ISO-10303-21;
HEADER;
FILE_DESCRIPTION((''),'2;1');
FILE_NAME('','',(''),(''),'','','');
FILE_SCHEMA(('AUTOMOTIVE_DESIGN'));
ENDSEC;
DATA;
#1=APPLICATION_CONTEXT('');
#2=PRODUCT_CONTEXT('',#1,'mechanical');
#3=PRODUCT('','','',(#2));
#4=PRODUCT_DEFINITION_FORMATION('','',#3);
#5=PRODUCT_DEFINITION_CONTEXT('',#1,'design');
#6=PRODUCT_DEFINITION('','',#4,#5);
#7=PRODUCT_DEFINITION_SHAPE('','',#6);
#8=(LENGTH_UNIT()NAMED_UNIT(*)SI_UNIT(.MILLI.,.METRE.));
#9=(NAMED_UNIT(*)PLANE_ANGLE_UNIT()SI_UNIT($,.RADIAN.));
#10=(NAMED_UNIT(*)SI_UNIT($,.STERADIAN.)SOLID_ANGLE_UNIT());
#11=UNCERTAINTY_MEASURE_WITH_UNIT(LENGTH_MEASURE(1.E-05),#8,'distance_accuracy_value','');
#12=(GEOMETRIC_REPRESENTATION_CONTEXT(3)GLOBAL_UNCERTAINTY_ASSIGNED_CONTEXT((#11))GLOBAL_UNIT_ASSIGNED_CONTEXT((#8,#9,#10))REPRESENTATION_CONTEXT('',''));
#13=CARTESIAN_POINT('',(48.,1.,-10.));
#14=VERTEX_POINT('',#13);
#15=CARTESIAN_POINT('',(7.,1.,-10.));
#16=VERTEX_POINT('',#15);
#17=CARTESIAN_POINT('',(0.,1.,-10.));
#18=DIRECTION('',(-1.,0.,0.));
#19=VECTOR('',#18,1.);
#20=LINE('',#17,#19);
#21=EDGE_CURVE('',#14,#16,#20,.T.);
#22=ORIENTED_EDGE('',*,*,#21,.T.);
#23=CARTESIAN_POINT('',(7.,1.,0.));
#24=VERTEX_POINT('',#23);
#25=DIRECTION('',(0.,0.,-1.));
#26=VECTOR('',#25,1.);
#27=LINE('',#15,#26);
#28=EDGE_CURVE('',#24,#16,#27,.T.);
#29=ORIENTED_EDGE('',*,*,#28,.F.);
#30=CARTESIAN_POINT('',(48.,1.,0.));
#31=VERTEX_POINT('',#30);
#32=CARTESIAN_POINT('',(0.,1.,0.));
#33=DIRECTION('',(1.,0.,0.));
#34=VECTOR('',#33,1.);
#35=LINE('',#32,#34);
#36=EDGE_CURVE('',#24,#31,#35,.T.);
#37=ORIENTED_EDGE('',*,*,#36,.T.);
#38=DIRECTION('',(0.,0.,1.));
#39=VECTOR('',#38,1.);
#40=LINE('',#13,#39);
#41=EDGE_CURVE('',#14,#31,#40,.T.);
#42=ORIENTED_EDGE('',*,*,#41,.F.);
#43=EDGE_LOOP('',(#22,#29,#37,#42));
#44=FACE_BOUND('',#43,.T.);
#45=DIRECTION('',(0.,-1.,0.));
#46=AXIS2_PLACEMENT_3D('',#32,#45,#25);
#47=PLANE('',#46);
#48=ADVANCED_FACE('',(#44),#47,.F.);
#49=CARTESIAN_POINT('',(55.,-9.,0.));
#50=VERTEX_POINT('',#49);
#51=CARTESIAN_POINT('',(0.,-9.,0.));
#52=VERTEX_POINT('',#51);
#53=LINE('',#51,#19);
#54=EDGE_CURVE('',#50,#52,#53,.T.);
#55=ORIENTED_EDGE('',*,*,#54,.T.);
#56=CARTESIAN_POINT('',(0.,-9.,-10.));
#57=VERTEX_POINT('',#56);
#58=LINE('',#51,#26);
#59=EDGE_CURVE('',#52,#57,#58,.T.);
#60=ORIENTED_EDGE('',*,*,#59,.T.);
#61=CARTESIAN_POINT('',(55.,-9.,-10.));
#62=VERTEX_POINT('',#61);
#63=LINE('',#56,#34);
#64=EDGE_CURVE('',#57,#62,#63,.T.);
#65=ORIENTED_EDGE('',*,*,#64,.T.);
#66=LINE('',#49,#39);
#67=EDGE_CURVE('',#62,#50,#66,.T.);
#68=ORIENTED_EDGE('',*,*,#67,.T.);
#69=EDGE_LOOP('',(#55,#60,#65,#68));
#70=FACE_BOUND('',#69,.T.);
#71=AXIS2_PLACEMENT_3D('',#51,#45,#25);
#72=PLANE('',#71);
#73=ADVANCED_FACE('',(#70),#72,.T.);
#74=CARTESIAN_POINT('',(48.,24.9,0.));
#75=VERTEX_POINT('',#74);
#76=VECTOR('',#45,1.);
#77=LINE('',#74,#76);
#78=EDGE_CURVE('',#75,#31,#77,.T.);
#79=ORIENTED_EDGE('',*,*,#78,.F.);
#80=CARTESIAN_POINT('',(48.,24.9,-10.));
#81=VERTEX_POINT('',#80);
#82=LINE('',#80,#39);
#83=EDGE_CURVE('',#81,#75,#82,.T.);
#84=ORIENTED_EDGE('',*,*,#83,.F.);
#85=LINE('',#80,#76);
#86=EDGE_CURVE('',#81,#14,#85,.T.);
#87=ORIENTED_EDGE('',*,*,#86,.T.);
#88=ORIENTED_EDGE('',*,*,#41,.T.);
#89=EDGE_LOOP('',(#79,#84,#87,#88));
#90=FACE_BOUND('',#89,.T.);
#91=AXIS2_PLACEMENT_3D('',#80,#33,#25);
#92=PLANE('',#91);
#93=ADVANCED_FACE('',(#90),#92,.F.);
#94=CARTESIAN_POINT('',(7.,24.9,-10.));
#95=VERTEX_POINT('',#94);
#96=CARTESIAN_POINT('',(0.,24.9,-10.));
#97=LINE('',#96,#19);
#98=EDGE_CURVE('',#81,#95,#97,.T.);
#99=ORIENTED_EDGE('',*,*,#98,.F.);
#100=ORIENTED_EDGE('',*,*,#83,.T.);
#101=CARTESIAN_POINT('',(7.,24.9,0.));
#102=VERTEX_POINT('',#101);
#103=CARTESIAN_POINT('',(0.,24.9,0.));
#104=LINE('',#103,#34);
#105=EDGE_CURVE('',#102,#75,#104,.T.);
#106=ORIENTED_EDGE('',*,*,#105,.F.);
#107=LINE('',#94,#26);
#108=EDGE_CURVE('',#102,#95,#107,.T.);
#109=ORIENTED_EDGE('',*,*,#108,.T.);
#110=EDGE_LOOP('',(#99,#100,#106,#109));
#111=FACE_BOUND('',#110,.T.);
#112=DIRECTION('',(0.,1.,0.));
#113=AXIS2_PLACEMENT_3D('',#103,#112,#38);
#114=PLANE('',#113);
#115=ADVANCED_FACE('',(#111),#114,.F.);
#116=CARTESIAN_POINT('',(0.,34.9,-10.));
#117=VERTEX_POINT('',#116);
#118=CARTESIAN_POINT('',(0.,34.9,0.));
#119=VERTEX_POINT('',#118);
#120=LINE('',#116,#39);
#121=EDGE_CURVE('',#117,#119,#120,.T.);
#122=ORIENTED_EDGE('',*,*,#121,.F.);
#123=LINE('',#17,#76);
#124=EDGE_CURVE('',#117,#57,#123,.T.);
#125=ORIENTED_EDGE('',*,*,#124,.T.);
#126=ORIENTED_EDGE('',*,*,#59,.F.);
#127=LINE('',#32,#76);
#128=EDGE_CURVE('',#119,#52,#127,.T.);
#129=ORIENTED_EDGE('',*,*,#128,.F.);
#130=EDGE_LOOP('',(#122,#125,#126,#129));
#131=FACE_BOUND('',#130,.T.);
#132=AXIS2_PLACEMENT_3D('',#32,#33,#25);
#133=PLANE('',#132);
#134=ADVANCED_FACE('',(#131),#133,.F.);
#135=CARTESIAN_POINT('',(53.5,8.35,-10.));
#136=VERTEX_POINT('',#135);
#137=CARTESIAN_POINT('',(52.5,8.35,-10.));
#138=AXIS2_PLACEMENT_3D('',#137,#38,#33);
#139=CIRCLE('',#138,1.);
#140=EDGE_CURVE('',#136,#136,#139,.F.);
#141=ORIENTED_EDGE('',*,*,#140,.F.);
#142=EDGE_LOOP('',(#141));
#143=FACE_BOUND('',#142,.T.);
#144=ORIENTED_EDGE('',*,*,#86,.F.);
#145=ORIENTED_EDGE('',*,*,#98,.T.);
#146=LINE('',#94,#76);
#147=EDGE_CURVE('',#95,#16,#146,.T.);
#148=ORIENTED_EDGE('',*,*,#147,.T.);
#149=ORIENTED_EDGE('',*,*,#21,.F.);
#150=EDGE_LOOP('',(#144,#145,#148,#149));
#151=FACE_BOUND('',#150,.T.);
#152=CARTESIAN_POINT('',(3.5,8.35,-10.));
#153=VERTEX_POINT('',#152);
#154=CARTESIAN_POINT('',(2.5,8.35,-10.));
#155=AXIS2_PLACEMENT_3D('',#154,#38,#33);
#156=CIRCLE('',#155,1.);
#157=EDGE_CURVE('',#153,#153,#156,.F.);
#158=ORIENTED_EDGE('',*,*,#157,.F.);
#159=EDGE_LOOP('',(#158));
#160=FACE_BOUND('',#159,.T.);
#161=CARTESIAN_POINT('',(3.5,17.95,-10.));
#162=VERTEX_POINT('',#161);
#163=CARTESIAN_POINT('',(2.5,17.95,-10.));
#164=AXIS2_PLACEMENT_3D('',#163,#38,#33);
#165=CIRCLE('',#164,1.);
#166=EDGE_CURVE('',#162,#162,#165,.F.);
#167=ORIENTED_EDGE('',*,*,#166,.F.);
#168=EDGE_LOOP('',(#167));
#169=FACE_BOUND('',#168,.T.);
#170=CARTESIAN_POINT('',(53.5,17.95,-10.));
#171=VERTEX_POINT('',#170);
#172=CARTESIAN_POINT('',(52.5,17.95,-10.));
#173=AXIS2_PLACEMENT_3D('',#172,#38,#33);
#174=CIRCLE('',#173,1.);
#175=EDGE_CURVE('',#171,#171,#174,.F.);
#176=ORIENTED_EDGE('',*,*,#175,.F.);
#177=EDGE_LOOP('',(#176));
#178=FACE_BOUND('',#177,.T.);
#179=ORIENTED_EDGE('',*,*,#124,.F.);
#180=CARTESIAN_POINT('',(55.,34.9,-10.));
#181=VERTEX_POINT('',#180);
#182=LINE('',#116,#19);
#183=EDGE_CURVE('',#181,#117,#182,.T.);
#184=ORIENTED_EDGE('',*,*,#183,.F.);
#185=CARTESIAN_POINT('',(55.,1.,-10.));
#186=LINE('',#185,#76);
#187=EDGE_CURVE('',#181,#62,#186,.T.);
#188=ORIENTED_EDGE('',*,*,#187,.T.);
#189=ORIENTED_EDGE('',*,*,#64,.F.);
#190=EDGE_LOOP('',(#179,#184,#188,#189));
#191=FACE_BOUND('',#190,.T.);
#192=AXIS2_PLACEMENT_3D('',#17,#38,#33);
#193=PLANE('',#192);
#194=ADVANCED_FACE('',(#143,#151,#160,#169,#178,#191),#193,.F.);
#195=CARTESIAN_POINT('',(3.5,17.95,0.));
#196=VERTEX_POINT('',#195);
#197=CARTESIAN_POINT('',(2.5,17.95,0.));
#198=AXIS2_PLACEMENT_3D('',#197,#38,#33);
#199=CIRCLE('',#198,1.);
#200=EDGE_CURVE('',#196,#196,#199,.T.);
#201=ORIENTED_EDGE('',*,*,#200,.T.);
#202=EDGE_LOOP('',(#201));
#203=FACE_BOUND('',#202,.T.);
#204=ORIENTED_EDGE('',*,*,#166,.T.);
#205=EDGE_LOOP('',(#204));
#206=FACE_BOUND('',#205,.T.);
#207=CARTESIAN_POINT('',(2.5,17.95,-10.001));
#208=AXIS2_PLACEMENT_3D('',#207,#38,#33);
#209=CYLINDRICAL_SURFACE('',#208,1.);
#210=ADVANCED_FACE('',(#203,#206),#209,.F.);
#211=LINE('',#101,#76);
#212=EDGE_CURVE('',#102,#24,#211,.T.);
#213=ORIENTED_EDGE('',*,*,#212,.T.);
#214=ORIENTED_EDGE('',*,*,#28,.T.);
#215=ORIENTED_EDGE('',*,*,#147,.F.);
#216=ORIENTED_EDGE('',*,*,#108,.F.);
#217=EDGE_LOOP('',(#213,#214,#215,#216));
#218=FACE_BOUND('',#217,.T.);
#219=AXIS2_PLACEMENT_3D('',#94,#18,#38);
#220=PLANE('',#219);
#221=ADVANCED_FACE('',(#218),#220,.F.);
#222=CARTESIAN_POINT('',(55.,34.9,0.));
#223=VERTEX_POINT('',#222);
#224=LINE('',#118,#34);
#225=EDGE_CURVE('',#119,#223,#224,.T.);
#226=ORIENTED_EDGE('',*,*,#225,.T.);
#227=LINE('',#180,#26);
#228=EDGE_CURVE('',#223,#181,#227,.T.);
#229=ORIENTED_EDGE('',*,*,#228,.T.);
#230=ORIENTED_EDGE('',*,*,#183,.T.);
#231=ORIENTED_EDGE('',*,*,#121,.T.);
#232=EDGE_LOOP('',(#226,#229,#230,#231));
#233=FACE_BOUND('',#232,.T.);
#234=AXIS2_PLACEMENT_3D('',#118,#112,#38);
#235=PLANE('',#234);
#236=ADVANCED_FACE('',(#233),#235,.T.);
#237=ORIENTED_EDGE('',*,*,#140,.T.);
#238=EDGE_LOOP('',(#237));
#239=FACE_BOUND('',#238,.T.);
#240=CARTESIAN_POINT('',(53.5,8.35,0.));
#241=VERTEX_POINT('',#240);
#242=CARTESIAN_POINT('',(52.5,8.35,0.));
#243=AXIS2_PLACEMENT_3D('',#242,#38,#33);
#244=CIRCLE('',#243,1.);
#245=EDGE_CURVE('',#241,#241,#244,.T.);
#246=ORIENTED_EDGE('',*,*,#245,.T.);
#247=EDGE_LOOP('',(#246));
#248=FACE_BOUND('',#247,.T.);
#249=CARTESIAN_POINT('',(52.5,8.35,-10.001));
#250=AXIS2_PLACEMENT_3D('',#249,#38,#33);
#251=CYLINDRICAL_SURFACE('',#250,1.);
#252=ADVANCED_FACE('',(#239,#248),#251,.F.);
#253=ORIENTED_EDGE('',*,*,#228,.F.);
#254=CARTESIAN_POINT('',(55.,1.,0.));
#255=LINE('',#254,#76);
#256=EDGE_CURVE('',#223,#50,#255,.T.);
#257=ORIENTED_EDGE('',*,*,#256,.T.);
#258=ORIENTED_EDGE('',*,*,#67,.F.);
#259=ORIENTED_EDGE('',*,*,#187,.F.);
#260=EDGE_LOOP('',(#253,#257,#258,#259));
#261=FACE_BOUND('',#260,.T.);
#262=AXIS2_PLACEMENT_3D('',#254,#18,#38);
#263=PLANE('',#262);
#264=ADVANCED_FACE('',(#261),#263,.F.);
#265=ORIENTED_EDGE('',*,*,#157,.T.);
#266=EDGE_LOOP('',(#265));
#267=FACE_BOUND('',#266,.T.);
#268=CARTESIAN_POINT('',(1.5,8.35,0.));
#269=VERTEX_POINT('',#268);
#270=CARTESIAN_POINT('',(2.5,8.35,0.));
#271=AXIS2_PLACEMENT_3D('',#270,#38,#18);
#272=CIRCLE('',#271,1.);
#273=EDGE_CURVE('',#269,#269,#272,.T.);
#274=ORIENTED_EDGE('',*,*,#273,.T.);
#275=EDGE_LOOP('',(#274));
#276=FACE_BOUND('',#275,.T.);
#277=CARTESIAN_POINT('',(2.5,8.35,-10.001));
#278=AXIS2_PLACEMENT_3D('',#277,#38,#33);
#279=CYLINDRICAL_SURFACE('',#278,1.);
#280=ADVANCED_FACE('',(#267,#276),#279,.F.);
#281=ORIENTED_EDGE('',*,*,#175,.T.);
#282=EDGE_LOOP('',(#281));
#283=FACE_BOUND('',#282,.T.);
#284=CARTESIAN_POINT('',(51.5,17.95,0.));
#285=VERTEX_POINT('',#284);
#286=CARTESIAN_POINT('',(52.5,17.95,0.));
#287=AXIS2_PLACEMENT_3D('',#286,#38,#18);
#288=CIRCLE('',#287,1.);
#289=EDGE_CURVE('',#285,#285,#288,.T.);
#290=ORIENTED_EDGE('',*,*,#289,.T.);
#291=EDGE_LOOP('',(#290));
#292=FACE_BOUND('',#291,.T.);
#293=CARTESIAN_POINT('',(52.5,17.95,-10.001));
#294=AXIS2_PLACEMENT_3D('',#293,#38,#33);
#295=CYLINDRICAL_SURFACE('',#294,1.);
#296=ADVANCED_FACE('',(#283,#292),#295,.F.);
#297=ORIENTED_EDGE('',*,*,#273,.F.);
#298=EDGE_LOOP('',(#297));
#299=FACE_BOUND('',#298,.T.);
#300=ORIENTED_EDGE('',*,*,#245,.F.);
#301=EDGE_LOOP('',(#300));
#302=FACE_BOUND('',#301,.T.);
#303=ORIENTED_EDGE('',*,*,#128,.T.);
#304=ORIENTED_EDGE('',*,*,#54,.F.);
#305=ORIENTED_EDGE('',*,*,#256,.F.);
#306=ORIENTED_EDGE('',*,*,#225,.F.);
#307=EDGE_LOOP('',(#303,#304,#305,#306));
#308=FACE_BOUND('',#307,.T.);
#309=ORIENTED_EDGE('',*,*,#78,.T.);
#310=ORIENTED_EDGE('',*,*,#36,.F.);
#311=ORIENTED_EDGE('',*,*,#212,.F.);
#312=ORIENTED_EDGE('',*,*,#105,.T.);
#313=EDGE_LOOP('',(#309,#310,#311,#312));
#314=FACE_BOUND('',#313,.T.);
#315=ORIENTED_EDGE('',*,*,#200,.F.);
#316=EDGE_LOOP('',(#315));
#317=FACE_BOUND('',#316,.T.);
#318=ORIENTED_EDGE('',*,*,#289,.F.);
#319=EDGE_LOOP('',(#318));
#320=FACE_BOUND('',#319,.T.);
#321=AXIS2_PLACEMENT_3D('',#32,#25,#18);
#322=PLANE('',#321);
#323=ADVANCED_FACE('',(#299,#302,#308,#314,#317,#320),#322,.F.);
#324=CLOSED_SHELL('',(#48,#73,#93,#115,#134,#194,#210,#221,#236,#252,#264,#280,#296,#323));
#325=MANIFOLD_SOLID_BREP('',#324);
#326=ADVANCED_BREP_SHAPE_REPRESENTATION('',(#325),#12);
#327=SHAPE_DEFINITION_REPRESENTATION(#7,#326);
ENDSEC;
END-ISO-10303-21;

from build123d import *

# Parameters (mm, degrees)
SKETCH1_W           = 55
SKETCH1_H           = 10
BOSS_EXTRUDE1_DEPTH = 1
SKETCH2_W           = 7
SKETCH2_H           = 10
BOSS_EXTRUDE2_DEPTH = 23.9
CUT_EXTRUDE2_REACH  = 63.196
SKETCH4_R           = 1
SKETCH5_W           = 55
SKETCH5_H           = 10
BOSS_EXTRUDE3_DEPTH = 9
SKETCH6_W           = 55
SKETCH6_H           = 10
BOSS_EXTRUDE4_DEPTH = 10


with BuildPart() as part:
    # Sketch1 → Boss-Extrude1 (new body)
    with BuildSketch(Plane(origin=(0, 0, 0), x_dir=(1, 0, 0), z_dir=(0, 1, 0))):
        with Locations((27.5, 5)):
            Rectangle(SKETCH1_W, SKETCH1_H)
    extrude(amount=BOSS_EXTRUDE1_DEPTH)

    # Sketch2 → Boss-Extrude2 (add)
    with BuildSketch(Plane(origin=(0, 1, 0), x_dir=(1, 0, 0), z_dir=(0, 1, 0))):
        with Locations((51.5, 5)):
            Rectangle(SKETCH2_W, SKETCH2_H)
        with Locations((3.5, 5)):
            Rectangle(SKETCH2_W, SKETCH2_H)
    extrude(amount=BOSS_EXTRUDE2_DEPTH)

    # Sketch4 → Cut-Extrude2 (cut, up to next)
    with BuildSketch(Plane.XY, mode=Mode.PRIVATE) as cut_extrude2_sk1:
        with Locations((2.5, 17.95)):
            Circle(SKETCH4_R)
    cut_extrude2_tool1 = extrude(cut_extrude2_sk1.sketch, amount=-CUT_EXTRUDE2_REACH, mode=Mode.PRIVATE) & part.part
    # Sketch4 → Cut-Extrude2 (cut, up to next)
    with BuildSketch(Plane.XY, mode=Mode.PRIVATE) as cut_extrude2_sk2:
        with Locations((2.5, 8.35)):
            Circle(SKETCH4_R)
    cut_extrude2_tool2 = extrude(cut_extrude2_sk2.sketch, amount=-CUT_EXTRUDE2_REACH, mode=Mode.PRIVATE) & part.part
    # Sketch4 → Cut-Extrude2 (cut, up to next)
    with BuildSketch(Plane.XY, mode=Mode.PRIVATE) as cut_extrude2_sk3:
        with Locations((52.5, 8.35)):
            Circle(SKETCH4_R)
    cut_extrude2_tool3 = extrude(cut_extrude2_sk3.sketch, amount=-CUT_EXTRUDE2_REACH, mode=Mode.PRIVATE) & part.part
    # Sketch4 → Cut-Extrude2 (cut, up to next)
    with BuildSketch(Plane.XY, mode=Mode.PRIVATE) as cut_extrude2_sk4:
        with Locations((52.5, 17.95)):
            Circle(SKETCH4_R)
    cut_extrude2_tool4 = extrude(cut_extrude2_sk4.sketch, amount=-CUT_EXTRUDE2_REACH, mode=Mode.PRIVATE) & part.part
    add(cut_extrude2_tool1.solids().sort_by_distance((2.5, 17.95, 0))[0], mode=Mode.SUBTRACT)
    add(cut_extrude2_tool2.solids().sort_by_distance((2.5, 8.35, 0))[0], mode=Mode.SUBTRACT)
    add(cut_extrude2_tool3.solids().sort_by_distance((52.5, 8.35, 0))[0], mode=Mode.SUBTRACT)
    add(cut_extrude2_tool4.solids().sort_by_distance((52.5, 17.95, 0))[0], mode=Mode.SUBTRACT)

    # Sketch5 → Boss-Extrude3 (add)
    with BuildSketch(Plane.XZ):
        with Locations((27.5, -5)):
            Rectangle(SKETCH5_W, SKETCH5_H)
    extrude(amount=BOSS_EXTRUDE3_DEPTH)

    # Sketch6 → Boss-Extrude4 (add)
    with BuildSketch(Plane(origin=(0, 24.9, 0), x_dir=(1, 0, 0), z_dir=(0, 1, 0))):
        with Locations((27.5, 5)):
            Rectangle(SKETCH6_W, SKETCH6_H)
    extrude(amount=BOSS_EXTRUDE4_DEPTH)


solid = part.part
